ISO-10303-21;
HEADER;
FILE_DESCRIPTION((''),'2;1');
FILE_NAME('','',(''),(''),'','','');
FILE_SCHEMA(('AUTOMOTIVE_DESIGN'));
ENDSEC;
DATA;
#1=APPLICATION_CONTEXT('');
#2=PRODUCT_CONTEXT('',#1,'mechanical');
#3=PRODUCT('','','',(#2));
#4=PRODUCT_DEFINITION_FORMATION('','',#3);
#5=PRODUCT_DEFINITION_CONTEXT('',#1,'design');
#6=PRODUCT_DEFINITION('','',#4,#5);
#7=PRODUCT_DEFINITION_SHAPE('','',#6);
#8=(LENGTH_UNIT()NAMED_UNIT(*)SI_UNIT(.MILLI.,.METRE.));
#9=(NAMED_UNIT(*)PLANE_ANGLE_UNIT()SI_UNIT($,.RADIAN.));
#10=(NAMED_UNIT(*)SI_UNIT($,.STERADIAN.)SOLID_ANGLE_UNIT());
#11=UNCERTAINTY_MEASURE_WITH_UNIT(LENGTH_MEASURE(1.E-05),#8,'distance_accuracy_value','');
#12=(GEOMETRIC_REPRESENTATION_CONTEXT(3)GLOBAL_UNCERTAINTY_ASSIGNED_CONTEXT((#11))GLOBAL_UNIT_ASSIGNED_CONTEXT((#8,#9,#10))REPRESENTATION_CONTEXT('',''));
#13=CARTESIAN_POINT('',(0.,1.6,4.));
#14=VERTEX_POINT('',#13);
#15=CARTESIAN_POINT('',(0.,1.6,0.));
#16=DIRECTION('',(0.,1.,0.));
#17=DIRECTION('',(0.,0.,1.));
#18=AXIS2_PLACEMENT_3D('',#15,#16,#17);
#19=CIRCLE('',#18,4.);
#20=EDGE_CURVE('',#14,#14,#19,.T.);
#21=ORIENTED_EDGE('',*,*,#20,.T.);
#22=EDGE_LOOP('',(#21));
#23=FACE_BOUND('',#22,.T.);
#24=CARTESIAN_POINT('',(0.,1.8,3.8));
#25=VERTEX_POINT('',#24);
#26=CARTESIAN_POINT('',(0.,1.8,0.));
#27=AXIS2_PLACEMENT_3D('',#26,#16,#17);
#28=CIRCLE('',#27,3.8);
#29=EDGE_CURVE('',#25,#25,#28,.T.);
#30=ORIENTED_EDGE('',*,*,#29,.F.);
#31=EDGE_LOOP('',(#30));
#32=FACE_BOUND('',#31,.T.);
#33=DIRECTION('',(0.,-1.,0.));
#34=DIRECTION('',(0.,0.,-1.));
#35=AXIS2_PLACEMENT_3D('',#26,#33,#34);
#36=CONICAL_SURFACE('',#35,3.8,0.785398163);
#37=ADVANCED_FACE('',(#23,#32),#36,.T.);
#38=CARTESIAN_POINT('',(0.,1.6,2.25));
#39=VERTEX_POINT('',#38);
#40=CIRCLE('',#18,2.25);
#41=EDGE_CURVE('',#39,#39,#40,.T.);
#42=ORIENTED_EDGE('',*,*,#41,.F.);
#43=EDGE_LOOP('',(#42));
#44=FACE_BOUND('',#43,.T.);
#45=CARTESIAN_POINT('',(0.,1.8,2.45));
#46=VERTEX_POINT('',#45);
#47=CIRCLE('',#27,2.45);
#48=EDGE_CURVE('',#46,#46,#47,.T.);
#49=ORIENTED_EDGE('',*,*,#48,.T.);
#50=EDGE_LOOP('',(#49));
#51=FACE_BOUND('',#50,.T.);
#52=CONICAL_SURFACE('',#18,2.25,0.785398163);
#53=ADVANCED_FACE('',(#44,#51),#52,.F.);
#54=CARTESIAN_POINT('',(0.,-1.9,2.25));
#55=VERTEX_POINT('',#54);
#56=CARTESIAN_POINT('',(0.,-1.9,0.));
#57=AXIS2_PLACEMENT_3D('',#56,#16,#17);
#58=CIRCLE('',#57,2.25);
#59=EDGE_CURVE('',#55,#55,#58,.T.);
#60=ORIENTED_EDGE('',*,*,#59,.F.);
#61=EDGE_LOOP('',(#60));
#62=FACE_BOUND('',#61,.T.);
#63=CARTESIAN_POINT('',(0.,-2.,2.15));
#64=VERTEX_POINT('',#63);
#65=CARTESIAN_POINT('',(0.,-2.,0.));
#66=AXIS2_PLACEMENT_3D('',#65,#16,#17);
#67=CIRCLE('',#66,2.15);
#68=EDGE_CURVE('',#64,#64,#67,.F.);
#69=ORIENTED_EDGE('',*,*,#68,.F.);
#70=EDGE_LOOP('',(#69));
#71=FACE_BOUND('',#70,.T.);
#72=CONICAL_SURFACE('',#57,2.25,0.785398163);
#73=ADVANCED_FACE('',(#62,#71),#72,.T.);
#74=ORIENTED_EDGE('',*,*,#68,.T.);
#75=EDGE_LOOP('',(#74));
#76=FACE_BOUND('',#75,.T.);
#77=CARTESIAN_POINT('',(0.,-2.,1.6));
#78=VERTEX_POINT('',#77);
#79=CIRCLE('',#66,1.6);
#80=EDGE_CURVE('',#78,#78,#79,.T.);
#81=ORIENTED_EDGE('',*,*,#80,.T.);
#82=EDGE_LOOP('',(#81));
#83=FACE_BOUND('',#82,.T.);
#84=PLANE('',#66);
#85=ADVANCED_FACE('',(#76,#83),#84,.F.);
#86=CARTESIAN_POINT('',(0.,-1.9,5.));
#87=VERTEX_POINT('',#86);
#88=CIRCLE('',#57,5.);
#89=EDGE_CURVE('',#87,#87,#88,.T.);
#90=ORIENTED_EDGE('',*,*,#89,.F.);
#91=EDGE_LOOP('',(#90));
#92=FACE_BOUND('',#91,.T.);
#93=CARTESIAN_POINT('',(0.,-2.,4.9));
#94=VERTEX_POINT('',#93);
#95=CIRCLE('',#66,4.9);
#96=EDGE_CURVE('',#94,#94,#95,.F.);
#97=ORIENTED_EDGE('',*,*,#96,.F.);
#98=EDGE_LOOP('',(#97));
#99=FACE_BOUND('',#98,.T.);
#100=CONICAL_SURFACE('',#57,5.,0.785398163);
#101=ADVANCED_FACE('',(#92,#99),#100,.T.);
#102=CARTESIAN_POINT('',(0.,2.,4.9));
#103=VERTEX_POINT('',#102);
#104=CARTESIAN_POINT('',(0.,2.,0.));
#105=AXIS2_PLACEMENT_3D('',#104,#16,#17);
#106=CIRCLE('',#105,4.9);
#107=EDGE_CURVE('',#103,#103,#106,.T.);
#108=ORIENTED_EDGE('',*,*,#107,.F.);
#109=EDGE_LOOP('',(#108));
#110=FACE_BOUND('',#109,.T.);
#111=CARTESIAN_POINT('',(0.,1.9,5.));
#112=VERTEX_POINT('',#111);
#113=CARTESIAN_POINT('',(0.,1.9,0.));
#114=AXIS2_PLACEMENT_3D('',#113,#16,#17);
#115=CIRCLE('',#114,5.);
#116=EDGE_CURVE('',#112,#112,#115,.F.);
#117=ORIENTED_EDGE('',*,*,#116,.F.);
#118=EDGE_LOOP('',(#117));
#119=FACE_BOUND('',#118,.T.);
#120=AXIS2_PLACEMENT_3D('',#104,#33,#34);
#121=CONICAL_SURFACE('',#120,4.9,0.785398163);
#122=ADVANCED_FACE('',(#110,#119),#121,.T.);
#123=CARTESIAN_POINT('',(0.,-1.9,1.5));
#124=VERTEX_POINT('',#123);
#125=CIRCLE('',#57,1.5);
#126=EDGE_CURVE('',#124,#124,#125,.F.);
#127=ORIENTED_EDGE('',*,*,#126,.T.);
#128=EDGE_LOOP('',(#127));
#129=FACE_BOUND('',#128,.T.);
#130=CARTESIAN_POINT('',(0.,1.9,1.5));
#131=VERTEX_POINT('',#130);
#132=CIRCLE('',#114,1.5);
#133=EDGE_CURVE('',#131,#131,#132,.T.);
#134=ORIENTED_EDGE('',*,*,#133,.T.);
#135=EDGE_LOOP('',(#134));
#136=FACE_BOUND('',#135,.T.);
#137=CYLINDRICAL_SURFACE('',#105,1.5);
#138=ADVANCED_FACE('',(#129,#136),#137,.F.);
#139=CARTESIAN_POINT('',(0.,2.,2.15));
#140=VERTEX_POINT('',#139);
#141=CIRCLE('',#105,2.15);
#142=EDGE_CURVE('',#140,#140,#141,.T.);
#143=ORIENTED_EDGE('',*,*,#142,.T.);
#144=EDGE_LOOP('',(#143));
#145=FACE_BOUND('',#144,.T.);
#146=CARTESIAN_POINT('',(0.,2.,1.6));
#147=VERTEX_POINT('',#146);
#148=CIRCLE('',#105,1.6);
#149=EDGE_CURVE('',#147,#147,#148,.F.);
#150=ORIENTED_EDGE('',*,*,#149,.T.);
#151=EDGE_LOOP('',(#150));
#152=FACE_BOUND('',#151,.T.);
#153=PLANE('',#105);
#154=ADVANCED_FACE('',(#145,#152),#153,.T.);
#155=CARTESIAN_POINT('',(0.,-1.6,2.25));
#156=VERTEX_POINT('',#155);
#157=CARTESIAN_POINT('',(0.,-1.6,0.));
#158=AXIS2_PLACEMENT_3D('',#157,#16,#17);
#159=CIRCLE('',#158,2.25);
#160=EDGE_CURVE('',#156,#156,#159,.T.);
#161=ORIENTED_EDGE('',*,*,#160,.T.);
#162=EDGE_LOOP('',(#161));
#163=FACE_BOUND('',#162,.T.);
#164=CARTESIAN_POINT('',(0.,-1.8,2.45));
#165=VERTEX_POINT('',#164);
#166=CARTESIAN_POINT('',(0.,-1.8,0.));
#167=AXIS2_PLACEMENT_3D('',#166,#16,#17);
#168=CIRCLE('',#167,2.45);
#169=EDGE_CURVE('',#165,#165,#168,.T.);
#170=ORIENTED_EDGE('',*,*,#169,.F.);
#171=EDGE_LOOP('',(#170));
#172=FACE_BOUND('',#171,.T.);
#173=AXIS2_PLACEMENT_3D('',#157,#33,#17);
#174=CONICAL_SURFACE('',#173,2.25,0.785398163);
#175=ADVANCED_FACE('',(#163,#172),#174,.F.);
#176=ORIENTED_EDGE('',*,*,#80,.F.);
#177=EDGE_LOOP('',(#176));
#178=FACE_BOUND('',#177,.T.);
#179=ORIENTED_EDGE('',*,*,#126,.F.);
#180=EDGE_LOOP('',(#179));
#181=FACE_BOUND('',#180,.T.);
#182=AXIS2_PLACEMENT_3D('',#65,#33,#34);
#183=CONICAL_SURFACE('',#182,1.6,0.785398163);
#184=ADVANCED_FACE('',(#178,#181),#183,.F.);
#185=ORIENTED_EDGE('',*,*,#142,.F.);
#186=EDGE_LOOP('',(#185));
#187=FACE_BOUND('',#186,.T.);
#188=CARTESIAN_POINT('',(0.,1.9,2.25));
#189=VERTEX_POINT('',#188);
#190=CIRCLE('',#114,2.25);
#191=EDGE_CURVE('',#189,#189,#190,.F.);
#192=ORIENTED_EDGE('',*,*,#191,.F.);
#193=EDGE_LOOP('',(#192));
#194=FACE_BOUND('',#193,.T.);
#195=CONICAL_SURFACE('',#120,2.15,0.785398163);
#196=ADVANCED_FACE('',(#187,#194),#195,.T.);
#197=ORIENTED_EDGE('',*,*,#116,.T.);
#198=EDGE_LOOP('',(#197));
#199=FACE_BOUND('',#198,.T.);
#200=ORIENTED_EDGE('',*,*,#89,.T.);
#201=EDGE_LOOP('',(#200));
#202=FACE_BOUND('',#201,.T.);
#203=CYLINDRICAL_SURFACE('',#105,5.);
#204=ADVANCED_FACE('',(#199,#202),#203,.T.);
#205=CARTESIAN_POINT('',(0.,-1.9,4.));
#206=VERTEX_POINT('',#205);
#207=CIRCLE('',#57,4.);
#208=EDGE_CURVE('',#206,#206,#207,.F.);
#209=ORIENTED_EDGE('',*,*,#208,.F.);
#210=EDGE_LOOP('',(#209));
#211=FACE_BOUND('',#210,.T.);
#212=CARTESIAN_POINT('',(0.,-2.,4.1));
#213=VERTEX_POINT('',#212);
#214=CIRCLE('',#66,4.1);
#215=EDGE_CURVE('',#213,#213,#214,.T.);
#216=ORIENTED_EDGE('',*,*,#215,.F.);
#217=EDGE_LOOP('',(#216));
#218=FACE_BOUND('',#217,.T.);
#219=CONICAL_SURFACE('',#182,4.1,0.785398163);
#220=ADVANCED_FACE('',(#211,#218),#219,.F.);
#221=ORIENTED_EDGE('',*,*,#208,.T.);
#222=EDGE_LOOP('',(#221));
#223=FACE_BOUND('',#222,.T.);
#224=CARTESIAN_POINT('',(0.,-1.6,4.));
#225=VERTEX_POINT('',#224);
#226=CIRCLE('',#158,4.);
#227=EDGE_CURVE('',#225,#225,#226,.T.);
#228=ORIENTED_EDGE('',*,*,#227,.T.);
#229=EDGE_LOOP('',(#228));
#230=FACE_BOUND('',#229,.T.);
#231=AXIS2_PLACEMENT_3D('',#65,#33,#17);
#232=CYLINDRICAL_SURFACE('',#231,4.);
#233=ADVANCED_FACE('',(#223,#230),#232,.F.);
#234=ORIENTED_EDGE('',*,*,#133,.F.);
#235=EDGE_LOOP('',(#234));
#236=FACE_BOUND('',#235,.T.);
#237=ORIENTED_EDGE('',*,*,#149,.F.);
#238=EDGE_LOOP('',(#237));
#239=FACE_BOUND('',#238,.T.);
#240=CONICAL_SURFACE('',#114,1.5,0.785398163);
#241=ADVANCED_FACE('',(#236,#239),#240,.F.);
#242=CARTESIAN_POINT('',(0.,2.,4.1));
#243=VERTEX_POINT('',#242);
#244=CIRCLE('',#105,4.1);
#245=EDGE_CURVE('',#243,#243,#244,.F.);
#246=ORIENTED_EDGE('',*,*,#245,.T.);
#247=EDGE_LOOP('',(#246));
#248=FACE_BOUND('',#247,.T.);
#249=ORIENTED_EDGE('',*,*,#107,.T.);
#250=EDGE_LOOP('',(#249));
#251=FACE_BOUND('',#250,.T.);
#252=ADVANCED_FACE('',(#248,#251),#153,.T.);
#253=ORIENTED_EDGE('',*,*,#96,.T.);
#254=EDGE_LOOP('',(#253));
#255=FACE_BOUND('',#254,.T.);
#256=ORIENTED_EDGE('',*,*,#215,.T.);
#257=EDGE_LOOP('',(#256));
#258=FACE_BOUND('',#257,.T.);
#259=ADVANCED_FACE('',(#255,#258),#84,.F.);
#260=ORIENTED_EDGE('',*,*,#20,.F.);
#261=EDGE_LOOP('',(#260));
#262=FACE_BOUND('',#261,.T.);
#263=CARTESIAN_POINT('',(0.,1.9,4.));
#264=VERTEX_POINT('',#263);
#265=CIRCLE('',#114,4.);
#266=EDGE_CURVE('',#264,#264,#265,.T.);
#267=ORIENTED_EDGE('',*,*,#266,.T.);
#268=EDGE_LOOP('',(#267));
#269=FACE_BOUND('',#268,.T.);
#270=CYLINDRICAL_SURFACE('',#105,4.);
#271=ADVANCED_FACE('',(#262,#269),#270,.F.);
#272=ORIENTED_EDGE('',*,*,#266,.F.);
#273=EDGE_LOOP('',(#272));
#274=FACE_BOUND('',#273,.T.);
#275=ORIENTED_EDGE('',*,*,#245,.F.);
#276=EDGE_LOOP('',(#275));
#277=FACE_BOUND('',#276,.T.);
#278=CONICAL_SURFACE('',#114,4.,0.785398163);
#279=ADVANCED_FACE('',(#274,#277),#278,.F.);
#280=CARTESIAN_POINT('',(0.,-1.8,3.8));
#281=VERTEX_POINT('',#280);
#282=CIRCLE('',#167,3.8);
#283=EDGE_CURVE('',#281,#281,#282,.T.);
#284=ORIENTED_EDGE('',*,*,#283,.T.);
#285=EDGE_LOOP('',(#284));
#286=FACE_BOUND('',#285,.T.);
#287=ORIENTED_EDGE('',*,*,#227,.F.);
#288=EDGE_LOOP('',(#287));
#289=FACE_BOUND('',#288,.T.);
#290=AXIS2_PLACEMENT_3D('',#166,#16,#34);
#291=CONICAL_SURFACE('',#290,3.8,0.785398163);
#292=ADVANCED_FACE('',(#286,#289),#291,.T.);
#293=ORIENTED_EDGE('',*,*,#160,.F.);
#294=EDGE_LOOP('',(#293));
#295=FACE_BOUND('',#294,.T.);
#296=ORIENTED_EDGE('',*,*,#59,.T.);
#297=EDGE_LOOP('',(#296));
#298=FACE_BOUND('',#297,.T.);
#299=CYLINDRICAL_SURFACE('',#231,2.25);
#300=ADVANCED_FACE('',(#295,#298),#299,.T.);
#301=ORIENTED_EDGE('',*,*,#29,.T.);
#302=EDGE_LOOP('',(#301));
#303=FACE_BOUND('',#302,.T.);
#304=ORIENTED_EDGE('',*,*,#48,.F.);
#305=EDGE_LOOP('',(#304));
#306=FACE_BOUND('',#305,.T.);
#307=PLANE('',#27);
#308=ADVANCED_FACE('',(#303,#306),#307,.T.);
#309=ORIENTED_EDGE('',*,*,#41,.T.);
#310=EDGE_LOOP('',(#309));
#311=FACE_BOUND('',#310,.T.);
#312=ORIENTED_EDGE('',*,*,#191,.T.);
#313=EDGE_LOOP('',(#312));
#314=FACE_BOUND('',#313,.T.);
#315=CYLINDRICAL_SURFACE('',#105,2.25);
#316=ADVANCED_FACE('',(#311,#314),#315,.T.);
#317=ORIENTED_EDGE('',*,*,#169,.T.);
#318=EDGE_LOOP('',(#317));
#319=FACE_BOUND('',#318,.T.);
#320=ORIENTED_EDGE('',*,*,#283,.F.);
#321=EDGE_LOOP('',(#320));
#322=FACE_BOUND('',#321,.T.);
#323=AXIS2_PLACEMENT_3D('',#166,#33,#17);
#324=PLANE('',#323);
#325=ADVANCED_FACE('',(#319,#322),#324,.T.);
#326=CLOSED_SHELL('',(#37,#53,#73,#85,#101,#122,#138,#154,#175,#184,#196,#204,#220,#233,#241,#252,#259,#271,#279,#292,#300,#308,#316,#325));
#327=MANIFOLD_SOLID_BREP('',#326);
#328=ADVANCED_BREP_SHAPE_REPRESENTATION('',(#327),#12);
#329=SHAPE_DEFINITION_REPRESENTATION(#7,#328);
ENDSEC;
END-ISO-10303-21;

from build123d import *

# Parameters (mm, degrees)
SKETCH1_W     = 3.5
SKETCH1_H     = 4
CHAMFER1_SIZE = 0.1


with BuildPart() as part:
    # Sketch1 → Revolve1 (revolve)
    with BuildSketch(Plane(origin=(0, 0, 0), x_dir=(0, 0, -1), z_dir=(1, 0, 0))):
        with Locations((3.25, 0)):
            Rectangle(SKETCH1_W, SKETCH1_H)
    revolve(axis=Axis((0, 2, 0), (0, -1, 0)))

    # Sketch3 → Cut-Revolve2 (revolve, cut)
    with BuildSketch(Plane(origin=(0, 0, 0), x_dir=(0, 0, -1), z_dir=(1, 0, 0))):
        Polygon((3.8, 1.8), (4, 1.6), (4, 2), (2.25, 2), (2.25, 1.6), (2.45, 1.8), align=None)
    cut_revolve2 = revolve(axis=Axis((0, 2, 0), (0, -1, 0)), mode=Mode.SUBTRACT)

    # Mirror1: Cut-Revolve2 across plane
    add(cut_revolve2.mirror(Plane.ZX), mode=Mode.SUBTRACT)

    # Chamfer1
    chamfer1_edges = [part.edges().sort_by_distance(p)[0] for p in [
        (0, 2, 4),
        (0, 2, 2.25),
        (0, -2, 4),
        (0, -2, 2.25),
        (0, 2, 5),
        (0, -2, 5),
        (0, -2, 1.5),
        (0, 2, 1.5),
    ]]
    chamfer(chamfer1_edges, length=CHAMFER1_SIZE)


solid = part.part
